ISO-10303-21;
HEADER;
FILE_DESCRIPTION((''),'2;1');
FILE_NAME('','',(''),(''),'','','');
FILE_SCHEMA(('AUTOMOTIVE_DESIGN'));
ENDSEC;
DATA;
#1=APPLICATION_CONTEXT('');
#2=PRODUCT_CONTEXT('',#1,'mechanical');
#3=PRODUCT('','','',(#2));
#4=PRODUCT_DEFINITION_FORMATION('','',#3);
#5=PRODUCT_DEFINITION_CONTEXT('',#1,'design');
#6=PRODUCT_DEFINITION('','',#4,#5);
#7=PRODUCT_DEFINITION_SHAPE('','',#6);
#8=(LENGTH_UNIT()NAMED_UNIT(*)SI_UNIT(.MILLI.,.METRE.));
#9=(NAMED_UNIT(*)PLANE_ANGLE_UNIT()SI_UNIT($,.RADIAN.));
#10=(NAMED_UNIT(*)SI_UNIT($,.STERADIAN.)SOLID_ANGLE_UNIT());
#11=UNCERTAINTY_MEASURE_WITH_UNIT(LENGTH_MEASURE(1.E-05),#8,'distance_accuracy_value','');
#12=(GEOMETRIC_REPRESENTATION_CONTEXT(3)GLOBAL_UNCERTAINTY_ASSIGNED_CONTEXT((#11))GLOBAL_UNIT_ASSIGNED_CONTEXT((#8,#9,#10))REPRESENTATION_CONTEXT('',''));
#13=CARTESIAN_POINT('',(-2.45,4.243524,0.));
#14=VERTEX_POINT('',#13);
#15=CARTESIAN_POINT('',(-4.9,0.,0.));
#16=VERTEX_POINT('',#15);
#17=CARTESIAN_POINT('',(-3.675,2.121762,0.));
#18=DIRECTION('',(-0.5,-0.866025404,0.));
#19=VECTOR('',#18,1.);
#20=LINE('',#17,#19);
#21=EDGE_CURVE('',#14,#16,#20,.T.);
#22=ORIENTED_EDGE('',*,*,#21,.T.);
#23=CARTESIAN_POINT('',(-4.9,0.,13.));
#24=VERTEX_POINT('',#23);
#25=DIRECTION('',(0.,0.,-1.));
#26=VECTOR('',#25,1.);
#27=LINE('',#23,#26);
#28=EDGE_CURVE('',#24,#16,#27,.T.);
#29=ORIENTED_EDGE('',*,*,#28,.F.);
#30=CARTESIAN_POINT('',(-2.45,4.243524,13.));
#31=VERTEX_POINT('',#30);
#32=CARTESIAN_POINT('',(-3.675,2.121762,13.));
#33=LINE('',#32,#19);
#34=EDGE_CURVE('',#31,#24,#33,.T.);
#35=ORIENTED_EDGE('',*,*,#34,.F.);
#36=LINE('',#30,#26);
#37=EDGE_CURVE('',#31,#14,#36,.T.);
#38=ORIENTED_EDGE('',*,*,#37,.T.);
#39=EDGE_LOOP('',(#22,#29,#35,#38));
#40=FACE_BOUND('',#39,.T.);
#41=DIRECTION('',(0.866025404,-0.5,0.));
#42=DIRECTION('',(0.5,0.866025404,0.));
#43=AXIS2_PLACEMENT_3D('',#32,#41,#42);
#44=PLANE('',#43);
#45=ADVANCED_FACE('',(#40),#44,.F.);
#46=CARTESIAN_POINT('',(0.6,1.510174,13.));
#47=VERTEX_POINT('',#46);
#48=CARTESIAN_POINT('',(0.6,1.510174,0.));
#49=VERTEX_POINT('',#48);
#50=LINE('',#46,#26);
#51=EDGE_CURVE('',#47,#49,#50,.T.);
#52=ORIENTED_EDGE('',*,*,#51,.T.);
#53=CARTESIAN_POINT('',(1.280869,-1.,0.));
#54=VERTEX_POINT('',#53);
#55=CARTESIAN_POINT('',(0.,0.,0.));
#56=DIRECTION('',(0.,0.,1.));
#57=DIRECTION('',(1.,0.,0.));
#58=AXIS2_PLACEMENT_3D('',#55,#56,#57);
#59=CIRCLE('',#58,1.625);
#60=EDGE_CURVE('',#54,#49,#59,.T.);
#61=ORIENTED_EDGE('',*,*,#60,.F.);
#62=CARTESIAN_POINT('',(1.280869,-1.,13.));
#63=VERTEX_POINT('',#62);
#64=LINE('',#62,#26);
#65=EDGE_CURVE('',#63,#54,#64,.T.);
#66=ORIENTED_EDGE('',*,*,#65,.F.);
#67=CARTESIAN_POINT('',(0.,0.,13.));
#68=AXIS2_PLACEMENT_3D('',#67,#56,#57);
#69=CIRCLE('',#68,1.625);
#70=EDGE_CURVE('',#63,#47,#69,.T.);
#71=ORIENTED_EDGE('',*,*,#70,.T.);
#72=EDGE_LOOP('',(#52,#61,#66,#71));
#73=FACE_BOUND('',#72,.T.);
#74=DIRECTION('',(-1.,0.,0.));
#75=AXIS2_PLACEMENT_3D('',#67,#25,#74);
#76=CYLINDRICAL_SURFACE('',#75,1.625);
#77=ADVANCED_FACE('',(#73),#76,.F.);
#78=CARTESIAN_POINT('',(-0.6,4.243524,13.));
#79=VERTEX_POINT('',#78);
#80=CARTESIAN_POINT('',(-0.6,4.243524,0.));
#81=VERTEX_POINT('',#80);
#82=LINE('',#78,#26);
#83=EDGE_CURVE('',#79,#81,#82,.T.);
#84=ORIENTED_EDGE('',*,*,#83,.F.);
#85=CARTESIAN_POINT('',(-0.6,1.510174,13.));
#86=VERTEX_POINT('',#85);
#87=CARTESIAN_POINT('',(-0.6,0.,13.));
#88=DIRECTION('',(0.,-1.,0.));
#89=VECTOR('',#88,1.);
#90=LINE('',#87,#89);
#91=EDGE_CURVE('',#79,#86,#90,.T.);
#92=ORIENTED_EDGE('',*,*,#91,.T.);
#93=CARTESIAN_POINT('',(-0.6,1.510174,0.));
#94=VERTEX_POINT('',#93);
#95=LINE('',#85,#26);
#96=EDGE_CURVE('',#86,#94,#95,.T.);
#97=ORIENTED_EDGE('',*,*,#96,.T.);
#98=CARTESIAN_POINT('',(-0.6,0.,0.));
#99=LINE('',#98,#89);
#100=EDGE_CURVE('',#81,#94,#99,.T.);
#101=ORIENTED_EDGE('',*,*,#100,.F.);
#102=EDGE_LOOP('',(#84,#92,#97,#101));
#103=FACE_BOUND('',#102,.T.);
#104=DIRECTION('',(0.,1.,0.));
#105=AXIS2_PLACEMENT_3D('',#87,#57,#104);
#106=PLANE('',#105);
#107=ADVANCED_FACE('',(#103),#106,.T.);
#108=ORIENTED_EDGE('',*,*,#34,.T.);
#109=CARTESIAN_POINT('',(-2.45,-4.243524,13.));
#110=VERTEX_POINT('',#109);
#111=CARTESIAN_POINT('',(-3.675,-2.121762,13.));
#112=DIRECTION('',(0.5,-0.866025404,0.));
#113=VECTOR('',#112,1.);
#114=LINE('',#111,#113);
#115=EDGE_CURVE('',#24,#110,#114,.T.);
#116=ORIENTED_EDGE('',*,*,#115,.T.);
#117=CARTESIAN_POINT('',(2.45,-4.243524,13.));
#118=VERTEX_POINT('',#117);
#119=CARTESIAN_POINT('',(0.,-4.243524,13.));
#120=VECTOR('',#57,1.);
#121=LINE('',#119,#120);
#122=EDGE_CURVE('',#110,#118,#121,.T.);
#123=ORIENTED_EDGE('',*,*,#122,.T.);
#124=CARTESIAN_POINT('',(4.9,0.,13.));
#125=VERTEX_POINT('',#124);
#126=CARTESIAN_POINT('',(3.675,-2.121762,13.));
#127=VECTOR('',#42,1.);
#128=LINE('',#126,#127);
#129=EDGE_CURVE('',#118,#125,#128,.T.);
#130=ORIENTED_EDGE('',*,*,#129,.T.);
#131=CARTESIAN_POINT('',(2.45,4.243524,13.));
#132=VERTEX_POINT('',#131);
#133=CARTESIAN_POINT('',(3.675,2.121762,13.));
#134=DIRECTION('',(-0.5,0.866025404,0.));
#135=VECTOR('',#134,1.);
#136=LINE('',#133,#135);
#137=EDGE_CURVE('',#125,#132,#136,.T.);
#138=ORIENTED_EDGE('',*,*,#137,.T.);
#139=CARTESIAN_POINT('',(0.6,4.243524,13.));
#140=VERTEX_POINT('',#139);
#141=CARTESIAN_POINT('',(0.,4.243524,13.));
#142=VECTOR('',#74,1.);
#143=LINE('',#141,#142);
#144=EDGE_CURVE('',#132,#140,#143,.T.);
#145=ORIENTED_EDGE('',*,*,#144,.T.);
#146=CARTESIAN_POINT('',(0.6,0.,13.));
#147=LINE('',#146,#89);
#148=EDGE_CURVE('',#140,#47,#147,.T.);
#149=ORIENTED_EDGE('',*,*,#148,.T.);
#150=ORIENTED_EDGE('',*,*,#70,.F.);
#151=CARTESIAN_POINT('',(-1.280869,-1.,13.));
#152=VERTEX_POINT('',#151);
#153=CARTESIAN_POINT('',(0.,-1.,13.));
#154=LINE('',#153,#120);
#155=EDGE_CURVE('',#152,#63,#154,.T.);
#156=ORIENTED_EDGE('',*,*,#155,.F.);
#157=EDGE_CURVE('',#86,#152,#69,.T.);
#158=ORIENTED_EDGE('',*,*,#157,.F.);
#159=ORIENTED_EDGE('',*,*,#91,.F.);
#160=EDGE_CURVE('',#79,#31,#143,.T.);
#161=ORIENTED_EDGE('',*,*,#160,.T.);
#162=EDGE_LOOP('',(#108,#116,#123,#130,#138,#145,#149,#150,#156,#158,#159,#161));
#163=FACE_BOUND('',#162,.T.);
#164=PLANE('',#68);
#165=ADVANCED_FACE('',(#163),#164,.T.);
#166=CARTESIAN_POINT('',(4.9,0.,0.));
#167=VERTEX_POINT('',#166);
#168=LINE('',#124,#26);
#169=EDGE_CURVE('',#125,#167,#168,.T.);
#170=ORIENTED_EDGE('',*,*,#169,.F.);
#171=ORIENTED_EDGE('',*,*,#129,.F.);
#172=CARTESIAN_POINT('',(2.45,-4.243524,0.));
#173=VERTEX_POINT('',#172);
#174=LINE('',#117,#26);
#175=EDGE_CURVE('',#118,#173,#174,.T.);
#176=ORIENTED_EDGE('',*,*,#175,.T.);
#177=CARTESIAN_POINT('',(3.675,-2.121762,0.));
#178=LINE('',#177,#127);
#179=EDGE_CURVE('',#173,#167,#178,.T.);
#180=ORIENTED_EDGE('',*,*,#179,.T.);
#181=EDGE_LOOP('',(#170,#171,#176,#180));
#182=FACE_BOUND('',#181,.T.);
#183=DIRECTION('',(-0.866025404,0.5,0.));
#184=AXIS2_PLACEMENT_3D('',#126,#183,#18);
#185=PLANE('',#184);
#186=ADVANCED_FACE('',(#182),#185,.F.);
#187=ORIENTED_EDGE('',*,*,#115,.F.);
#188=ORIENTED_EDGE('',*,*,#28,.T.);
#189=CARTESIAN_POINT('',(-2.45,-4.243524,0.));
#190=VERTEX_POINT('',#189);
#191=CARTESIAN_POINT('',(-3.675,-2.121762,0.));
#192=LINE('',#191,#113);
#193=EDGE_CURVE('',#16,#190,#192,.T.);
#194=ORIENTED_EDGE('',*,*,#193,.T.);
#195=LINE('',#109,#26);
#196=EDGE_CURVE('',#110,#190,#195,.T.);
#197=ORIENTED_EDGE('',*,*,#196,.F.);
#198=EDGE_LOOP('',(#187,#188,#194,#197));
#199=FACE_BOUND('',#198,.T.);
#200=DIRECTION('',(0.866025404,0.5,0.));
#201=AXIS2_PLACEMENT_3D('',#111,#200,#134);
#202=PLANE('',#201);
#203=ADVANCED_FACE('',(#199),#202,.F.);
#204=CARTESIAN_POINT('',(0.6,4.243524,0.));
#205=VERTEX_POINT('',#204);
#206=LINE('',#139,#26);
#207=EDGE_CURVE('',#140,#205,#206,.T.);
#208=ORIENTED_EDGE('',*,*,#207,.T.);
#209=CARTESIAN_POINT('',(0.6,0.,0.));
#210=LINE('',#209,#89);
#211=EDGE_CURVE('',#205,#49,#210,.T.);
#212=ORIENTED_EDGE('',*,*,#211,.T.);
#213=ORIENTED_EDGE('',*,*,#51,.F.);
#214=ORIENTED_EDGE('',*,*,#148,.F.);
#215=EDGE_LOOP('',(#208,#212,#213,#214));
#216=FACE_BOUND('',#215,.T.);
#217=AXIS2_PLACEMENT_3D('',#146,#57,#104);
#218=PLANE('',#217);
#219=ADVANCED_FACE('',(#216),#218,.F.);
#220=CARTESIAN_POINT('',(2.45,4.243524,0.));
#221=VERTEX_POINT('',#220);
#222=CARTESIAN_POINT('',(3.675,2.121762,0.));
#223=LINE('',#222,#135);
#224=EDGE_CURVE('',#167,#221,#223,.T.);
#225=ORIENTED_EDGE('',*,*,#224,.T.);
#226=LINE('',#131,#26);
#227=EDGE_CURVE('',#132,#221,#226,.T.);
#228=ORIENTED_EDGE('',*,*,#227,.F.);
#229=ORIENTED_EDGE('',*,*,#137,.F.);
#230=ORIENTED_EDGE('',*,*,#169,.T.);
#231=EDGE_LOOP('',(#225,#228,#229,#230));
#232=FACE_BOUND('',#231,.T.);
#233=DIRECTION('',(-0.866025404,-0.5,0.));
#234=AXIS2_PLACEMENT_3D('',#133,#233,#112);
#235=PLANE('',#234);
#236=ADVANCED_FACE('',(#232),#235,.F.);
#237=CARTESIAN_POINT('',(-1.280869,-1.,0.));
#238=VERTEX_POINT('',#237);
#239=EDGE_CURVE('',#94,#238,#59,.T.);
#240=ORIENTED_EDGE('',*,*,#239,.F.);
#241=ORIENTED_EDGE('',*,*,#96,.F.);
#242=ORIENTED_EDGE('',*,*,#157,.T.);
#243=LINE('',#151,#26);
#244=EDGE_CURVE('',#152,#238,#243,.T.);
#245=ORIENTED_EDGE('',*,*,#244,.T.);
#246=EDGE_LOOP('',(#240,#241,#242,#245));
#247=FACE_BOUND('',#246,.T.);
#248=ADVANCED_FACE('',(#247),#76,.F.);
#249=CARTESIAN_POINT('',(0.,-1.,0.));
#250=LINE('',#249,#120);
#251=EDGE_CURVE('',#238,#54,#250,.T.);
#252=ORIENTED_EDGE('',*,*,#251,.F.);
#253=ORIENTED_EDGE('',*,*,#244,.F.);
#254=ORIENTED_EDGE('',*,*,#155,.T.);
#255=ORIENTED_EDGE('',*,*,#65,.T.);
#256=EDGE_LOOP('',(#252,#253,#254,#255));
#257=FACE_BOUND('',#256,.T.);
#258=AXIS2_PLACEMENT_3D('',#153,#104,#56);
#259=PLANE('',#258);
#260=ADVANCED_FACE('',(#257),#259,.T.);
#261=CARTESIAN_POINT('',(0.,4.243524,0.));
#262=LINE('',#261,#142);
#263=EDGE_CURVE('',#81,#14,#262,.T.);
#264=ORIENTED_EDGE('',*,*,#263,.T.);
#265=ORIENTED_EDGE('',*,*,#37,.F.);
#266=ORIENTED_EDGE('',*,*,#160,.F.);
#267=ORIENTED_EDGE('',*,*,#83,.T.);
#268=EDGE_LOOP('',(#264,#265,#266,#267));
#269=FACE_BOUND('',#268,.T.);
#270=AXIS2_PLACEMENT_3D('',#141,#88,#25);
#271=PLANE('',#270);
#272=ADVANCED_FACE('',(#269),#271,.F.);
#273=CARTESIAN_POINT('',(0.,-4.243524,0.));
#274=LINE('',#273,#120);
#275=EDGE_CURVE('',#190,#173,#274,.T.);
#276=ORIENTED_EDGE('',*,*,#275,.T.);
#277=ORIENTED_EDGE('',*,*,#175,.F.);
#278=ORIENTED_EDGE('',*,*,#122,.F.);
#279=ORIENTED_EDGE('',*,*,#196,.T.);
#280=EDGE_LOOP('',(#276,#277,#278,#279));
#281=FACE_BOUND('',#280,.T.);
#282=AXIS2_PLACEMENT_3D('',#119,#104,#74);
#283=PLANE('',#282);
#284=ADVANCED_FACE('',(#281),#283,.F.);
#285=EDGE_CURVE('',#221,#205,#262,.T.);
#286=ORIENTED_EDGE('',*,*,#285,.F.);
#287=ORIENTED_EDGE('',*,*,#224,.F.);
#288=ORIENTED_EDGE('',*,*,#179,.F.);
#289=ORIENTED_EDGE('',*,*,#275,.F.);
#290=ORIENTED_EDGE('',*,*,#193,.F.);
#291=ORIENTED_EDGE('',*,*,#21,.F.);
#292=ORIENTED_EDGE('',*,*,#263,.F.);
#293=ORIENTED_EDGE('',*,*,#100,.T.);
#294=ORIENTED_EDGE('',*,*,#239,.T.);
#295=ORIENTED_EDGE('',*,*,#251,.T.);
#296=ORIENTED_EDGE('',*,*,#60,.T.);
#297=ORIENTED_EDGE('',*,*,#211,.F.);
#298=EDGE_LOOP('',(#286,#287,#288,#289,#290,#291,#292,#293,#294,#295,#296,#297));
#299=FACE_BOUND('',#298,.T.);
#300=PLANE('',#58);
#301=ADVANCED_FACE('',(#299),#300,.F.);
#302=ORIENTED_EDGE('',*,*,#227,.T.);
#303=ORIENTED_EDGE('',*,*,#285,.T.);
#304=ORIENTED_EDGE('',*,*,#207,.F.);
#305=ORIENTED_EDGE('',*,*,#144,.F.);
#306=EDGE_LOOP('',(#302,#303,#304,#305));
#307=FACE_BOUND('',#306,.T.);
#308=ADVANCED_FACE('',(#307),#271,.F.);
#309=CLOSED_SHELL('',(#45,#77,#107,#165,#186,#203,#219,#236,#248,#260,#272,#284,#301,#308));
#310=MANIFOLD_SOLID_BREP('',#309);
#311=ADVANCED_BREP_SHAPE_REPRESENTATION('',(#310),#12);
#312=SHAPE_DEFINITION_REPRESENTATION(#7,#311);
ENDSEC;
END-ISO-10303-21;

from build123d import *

# Parameters (mm, degrees)
BOSS_EXTRUDE1_DEPTH = 13


with BuildPart() as part:
    # Sketch1 → Boss-Extrude1 (new body)
    with BuildSketch(Plane.XY):
        with BuildLine():
            Line((1.280868846, -1), (-1.280868846, -1))
            ThreePointArc((-1.280868846, -1), (-1.568330344, 0.425399731), (-0.6, 1.510173831))
            Line((-0.6, 1.510173831), (-0.6, 4.243524479))
            Line((-0.6, 4.243524479), (-2.45, 4.243524479))
            Line((-2.45, 4.243524479), (-4.9, 0))
            Line((-4.9, 0), (-2.45, -4.243524479))
            Line((-2.45, -4.243524479), (2.45, -4.243524479))
            Line((2.45, -4.243524479), (4.9, 0))
            Line((4.9, 0), (2.45, 4.243524479))
            Line((2.45, 4.243524479), (0.6, 4.243524479))
            Line((0.6, 4.243524479), (0.6, 1.510173831))
            ThreePointArc((0.6, 1.510173831), (1.568330344, 0.425399731), (1.280868846, -1))
        make_face()
    extrude(amount=BOSS_EXTRUDE1_DEPTH)


solid = part.part
